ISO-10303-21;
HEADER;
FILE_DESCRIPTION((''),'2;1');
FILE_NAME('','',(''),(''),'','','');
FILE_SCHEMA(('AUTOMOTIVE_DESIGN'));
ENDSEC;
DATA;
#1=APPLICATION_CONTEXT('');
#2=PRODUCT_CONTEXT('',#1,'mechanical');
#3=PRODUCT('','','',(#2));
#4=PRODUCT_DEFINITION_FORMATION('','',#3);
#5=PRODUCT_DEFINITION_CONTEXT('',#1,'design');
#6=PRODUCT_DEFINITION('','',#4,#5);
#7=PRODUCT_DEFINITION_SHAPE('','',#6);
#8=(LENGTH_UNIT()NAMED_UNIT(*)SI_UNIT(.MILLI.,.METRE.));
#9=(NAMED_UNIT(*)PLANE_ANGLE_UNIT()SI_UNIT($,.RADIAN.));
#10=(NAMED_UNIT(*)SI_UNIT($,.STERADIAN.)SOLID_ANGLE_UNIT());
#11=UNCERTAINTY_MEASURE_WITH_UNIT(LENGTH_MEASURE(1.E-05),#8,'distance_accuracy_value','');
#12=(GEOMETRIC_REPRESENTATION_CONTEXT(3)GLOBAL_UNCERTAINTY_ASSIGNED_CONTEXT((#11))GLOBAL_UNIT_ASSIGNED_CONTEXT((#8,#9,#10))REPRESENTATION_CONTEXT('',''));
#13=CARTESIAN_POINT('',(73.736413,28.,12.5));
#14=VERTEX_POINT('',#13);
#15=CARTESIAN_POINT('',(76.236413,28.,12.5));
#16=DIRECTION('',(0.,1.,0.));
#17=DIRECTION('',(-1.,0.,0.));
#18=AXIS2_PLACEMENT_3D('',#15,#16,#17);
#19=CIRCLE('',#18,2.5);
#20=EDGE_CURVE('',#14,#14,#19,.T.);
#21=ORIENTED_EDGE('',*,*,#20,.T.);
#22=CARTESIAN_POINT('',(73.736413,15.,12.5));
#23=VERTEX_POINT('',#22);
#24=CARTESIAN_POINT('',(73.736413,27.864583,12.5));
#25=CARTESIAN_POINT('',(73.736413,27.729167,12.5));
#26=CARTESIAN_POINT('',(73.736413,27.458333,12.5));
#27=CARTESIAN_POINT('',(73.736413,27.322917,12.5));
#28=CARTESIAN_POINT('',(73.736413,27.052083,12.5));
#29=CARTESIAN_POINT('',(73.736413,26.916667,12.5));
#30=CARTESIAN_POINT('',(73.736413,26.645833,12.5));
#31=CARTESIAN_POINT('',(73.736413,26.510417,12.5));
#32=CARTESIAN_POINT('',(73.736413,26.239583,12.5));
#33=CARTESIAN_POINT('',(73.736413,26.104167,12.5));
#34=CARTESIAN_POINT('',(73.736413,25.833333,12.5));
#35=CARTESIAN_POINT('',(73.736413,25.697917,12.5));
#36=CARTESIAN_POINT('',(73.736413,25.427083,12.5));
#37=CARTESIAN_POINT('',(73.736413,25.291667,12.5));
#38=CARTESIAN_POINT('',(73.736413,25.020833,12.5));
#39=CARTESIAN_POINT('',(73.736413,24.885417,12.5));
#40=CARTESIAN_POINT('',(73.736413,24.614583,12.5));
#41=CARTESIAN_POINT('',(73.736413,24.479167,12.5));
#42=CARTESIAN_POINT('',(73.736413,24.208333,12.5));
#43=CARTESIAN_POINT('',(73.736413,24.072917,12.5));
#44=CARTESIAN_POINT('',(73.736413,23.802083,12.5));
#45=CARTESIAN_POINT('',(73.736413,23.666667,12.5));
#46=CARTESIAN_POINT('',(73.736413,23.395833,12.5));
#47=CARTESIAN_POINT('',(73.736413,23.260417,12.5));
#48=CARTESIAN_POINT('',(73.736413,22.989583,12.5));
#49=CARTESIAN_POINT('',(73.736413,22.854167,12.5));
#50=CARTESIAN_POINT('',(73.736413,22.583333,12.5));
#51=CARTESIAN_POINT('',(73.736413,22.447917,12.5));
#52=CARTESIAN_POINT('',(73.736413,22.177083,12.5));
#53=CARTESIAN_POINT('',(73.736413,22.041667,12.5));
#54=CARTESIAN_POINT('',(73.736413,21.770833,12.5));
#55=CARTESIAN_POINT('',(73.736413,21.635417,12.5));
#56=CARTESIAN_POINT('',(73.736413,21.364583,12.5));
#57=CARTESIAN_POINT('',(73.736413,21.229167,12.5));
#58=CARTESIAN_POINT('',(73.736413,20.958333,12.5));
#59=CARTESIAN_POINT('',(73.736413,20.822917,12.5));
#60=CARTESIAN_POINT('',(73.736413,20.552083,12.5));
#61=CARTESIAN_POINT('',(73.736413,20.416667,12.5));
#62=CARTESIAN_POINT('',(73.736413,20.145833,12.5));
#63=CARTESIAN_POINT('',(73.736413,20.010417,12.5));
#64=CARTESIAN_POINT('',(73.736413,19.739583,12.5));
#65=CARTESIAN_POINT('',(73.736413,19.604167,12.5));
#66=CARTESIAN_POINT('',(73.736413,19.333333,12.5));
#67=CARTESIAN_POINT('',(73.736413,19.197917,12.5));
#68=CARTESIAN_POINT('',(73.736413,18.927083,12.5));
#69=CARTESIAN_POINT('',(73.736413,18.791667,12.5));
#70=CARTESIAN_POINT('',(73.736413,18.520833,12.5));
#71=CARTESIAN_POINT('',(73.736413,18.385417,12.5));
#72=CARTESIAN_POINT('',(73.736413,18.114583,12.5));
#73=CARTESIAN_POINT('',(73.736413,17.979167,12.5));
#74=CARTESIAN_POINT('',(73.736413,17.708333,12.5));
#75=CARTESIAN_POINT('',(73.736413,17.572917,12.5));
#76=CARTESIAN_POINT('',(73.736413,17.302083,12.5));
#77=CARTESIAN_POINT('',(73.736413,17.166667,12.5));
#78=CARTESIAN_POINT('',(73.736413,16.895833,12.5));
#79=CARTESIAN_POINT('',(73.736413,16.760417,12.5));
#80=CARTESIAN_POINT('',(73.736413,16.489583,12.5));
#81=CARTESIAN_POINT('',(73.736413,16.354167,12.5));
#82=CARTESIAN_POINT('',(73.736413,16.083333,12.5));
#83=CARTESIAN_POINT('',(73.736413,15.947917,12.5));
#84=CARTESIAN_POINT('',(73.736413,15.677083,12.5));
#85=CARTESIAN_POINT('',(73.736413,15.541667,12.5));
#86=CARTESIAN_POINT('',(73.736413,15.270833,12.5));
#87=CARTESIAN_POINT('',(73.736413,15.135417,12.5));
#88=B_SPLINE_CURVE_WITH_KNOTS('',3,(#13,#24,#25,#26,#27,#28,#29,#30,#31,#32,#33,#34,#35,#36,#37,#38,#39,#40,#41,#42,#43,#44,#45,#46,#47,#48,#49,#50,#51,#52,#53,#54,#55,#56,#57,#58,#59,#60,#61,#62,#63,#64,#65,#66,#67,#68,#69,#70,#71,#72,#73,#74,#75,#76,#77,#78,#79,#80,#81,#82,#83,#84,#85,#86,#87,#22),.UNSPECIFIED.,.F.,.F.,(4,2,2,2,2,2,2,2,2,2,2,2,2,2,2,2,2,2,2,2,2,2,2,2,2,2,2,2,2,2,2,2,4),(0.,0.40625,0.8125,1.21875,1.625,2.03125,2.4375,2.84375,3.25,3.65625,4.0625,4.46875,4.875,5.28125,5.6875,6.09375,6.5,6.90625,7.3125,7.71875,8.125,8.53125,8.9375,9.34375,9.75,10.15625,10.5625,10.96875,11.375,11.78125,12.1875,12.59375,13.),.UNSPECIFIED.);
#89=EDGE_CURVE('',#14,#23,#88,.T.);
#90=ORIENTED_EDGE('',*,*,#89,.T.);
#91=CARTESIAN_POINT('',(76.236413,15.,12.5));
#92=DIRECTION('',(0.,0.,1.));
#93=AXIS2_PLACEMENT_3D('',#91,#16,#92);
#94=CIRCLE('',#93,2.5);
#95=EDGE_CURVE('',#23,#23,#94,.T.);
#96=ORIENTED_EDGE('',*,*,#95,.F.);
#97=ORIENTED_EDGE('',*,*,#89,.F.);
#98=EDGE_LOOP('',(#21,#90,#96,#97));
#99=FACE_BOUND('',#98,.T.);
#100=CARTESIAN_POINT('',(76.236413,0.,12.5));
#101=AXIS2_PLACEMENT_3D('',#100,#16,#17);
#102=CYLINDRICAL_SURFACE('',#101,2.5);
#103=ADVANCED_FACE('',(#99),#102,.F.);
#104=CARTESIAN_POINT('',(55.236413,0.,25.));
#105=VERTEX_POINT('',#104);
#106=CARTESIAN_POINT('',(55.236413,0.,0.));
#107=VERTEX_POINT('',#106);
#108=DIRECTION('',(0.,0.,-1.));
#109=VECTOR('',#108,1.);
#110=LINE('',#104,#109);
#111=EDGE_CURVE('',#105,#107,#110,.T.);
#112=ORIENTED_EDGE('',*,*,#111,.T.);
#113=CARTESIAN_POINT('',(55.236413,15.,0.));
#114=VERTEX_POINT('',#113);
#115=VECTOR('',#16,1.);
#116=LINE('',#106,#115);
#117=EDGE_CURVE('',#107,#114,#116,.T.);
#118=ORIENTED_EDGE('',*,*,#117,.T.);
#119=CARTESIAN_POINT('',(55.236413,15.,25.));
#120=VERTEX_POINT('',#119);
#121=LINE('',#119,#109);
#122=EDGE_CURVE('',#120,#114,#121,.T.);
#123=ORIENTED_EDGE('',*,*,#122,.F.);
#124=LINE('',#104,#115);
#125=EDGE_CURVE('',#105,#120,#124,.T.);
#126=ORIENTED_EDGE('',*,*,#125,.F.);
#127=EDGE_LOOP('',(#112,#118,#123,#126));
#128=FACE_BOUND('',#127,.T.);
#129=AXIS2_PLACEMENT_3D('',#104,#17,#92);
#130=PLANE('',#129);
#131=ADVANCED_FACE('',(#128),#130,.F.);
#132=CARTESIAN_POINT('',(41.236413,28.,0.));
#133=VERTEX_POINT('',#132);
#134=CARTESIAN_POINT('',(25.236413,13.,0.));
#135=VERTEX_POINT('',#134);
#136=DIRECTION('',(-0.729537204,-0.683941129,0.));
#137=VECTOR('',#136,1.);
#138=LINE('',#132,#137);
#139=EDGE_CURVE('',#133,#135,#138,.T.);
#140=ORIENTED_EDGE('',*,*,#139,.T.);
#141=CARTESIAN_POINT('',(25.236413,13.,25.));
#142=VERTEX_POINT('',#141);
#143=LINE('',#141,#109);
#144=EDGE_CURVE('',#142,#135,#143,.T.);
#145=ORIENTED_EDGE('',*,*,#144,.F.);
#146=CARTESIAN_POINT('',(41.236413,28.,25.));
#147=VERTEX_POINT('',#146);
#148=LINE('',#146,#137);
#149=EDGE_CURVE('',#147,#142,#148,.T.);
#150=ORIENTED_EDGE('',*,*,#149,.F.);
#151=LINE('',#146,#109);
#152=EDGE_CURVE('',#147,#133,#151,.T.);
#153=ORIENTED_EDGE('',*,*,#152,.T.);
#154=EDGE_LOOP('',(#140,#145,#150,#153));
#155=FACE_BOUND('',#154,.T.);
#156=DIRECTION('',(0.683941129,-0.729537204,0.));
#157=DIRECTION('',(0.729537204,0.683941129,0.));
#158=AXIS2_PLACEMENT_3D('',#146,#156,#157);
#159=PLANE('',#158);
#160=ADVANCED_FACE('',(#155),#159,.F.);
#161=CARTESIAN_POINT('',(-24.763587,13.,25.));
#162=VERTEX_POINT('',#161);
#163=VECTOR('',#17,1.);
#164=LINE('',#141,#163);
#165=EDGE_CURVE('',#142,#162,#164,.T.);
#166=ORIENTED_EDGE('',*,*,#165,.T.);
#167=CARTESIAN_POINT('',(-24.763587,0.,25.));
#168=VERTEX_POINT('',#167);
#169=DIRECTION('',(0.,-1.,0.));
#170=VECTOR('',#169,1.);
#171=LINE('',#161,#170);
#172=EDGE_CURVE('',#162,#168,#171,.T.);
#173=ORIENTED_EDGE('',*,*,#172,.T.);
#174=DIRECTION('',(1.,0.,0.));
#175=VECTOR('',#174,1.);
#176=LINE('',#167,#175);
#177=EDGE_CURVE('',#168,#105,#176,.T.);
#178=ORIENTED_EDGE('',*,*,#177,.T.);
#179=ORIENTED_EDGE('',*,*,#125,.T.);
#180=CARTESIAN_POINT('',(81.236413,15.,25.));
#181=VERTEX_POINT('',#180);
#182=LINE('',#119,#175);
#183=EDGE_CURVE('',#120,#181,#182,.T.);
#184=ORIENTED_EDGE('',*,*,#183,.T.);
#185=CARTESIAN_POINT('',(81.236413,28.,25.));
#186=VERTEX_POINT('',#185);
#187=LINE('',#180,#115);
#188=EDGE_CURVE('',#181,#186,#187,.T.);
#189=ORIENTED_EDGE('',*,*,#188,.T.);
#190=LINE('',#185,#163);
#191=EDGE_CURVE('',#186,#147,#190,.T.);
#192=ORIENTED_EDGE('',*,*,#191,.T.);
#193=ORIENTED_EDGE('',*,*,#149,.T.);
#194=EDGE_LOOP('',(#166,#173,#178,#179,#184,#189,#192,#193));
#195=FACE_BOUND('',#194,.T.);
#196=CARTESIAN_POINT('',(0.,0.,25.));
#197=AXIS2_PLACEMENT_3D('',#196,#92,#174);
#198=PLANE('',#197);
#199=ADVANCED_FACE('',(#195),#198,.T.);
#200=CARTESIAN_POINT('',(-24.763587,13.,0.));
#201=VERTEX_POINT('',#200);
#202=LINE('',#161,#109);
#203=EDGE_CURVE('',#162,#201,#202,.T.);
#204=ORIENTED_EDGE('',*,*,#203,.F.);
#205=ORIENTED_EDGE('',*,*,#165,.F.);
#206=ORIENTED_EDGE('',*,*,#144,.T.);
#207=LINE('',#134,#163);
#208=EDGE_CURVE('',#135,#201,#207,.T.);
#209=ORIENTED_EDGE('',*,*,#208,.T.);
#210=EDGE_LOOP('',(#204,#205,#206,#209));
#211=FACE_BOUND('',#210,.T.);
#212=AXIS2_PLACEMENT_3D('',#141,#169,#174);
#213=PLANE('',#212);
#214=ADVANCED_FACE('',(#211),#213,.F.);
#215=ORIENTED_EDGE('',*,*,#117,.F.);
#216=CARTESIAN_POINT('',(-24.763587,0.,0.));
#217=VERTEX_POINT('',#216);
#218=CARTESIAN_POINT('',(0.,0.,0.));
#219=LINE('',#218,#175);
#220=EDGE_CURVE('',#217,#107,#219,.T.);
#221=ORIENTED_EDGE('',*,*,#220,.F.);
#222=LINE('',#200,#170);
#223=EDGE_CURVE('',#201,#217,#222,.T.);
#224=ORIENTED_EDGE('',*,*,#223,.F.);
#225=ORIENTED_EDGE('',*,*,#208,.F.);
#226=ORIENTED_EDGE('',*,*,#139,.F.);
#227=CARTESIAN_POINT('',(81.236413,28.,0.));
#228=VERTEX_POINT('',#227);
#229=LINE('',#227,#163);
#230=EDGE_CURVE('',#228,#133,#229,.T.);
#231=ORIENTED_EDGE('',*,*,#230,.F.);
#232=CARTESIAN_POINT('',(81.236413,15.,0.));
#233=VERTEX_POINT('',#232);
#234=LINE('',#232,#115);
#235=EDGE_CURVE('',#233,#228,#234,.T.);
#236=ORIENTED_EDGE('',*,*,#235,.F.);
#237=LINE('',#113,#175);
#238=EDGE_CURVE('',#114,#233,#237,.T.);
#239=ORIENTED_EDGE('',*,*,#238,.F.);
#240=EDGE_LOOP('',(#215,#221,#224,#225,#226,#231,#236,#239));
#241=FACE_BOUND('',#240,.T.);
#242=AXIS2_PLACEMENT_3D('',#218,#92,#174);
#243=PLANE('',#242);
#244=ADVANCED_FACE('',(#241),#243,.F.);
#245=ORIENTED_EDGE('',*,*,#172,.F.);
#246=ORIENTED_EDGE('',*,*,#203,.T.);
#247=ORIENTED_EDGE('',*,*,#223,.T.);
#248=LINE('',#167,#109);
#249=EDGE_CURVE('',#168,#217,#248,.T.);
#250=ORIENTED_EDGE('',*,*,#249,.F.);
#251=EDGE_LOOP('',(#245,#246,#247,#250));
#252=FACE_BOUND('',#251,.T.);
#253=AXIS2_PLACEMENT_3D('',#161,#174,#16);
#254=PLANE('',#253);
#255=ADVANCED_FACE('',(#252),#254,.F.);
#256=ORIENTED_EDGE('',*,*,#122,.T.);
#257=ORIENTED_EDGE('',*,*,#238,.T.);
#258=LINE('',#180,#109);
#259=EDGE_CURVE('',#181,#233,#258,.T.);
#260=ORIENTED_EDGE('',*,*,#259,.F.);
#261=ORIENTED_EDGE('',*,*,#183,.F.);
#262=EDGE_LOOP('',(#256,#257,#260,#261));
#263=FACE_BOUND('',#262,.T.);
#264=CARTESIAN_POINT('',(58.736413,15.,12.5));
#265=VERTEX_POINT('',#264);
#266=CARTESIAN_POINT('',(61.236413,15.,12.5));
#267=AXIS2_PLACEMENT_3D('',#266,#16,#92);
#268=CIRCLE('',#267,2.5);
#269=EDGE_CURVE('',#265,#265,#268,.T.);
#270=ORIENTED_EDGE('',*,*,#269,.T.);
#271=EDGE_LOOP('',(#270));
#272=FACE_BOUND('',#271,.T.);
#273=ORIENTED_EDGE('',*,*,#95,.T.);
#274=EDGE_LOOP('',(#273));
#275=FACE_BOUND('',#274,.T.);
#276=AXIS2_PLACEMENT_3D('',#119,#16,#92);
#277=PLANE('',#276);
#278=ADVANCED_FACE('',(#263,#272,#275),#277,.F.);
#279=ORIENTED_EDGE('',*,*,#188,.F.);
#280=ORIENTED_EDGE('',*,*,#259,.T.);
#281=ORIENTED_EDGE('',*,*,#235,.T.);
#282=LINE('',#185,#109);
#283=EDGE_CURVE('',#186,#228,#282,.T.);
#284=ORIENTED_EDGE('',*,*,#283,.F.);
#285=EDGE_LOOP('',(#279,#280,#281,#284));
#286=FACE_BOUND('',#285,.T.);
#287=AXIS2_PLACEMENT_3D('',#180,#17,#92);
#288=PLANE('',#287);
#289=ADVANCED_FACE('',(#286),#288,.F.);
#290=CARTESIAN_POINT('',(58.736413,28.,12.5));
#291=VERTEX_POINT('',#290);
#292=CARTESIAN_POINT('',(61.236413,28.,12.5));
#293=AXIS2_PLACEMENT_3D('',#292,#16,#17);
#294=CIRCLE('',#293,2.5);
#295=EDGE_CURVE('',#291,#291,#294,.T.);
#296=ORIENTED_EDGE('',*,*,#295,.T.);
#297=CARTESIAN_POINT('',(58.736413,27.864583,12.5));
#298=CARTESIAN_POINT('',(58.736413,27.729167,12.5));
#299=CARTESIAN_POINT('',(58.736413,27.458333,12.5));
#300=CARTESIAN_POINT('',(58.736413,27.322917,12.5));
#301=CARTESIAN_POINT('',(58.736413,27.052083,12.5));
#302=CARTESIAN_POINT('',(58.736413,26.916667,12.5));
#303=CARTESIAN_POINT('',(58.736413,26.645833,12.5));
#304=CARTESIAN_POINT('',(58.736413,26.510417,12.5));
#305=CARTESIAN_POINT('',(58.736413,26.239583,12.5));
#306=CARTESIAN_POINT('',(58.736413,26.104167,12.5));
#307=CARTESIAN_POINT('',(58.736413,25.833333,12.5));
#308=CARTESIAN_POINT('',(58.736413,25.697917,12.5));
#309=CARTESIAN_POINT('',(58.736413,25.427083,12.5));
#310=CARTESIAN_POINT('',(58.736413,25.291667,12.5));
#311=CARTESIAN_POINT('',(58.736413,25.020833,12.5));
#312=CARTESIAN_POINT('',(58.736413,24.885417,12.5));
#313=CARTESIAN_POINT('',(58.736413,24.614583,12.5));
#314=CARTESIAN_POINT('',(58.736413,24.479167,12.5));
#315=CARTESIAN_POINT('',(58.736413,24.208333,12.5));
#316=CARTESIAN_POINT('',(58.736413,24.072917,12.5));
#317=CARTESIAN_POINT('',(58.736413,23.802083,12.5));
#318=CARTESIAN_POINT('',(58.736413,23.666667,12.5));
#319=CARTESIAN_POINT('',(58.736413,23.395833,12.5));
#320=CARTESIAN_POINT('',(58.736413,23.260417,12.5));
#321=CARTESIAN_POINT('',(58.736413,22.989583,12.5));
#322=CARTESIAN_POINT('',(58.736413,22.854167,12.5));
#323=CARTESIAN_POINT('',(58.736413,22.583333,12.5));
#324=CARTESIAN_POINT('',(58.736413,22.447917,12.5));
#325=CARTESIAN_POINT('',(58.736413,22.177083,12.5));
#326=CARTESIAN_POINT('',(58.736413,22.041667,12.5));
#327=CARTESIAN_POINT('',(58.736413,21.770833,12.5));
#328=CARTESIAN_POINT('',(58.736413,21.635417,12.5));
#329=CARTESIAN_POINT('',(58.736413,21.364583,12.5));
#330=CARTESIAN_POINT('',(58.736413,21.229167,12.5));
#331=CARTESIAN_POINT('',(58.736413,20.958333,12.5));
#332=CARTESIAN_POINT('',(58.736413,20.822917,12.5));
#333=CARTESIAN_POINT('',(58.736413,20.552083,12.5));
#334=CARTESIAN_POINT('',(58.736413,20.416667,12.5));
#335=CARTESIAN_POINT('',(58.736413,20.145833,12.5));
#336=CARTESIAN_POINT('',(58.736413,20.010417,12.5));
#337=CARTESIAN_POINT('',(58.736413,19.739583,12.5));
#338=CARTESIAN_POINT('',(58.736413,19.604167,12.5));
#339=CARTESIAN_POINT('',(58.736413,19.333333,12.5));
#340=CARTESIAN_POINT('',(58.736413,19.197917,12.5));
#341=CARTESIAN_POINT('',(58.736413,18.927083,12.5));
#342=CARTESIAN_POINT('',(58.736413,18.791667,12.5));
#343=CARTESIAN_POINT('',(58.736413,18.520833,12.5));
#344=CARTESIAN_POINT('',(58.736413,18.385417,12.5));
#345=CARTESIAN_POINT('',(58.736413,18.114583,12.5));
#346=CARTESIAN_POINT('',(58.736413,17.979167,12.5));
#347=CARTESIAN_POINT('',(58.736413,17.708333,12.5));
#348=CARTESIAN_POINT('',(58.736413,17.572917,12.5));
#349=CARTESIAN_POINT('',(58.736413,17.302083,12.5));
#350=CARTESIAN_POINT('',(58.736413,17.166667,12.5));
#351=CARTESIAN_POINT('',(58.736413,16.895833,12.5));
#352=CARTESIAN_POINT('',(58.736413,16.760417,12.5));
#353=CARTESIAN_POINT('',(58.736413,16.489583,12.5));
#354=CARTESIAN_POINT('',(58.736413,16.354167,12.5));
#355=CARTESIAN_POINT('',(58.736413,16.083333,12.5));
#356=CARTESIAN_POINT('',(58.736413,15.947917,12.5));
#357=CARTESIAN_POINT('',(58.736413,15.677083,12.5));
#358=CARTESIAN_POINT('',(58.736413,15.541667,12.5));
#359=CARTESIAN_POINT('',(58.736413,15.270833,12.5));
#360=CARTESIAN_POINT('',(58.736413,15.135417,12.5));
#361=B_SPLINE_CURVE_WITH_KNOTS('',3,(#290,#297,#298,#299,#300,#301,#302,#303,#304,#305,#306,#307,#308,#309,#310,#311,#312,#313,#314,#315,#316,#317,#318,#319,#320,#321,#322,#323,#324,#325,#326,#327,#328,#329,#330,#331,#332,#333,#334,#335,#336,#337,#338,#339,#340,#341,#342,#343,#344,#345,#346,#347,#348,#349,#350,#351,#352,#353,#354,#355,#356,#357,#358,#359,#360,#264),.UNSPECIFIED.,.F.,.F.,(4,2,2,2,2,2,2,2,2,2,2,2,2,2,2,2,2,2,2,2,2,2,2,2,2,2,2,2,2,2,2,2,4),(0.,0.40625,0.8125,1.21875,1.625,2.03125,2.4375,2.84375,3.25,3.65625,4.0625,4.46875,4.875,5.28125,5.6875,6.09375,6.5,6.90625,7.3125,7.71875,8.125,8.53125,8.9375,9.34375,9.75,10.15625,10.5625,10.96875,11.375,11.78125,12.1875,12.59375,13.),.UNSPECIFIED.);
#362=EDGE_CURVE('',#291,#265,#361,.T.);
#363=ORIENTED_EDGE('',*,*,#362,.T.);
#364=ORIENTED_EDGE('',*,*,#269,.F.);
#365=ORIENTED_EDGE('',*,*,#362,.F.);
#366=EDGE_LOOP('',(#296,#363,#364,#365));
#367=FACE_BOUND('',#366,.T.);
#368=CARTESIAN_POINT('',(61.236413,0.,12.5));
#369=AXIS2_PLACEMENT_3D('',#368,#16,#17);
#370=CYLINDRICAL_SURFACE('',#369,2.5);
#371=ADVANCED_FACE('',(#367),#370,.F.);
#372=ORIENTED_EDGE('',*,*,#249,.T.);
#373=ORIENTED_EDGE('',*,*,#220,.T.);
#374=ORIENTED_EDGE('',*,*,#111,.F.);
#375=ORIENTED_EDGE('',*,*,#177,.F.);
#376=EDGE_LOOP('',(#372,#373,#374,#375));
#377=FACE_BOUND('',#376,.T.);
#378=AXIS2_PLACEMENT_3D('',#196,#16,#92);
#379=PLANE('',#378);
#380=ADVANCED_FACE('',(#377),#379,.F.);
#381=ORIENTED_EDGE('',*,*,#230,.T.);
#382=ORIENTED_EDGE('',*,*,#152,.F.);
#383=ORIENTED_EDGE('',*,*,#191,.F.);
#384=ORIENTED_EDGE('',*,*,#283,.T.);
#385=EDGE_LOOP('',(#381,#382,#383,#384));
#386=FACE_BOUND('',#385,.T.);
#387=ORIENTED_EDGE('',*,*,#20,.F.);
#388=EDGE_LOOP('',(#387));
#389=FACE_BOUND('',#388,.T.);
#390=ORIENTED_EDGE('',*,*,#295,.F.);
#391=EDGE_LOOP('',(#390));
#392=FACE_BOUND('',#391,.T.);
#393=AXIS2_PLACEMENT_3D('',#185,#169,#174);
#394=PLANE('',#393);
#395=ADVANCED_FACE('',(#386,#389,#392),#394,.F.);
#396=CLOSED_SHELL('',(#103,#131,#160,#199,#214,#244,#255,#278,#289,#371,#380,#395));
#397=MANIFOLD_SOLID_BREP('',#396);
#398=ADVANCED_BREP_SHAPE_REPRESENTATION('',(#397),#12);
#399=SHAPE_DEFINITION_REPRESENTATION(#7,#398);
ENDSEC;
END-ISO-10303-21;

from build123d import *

# Parameters (mm, degrees)
BOSS_EXTRUDE1_DEPTH = 25
SKETCH2_R           = 2.5
CUT_EXTRUDE1_DEPTH  = 90.489411687


with BuildPart() as part:
    # Sketch1 → Boss-Extrude1 (new body)
    with BuildSketch(Plane.XY):
        Polygon((0, 0), (55.236413043, 0), (55.236413043, 15), (81.236413043, 15), (81.236413043, 28), (41.236413043, 28), (25.236413043, 13), (-24.763586957, 13), (-24.763586957, 0), align=None)
    extrude(amount=BOSS_EXTRUDE1_DEPTH)

    # Sketch2 → Cut-Extrude1 (cut, through all)
    with BuildSketch(Plane(origin=(0, 28, 0), x_dir=(1, 0, 0), z_dir=(0, 1, 0))):
        with Locations(Location((76.236413043, -12.5, 0), (0, 0, 180))):
            Circle(SKETCH2_R)
        with Locations(Location((61.236413043, -12.5, 0), (0, 0, 180))):
            Circle(SKETCH2_R)
    extrude(amount=-CUT_EXTRUDE1_DEPTH, mode=Mode.SUBTRACT)


solid = part.part
